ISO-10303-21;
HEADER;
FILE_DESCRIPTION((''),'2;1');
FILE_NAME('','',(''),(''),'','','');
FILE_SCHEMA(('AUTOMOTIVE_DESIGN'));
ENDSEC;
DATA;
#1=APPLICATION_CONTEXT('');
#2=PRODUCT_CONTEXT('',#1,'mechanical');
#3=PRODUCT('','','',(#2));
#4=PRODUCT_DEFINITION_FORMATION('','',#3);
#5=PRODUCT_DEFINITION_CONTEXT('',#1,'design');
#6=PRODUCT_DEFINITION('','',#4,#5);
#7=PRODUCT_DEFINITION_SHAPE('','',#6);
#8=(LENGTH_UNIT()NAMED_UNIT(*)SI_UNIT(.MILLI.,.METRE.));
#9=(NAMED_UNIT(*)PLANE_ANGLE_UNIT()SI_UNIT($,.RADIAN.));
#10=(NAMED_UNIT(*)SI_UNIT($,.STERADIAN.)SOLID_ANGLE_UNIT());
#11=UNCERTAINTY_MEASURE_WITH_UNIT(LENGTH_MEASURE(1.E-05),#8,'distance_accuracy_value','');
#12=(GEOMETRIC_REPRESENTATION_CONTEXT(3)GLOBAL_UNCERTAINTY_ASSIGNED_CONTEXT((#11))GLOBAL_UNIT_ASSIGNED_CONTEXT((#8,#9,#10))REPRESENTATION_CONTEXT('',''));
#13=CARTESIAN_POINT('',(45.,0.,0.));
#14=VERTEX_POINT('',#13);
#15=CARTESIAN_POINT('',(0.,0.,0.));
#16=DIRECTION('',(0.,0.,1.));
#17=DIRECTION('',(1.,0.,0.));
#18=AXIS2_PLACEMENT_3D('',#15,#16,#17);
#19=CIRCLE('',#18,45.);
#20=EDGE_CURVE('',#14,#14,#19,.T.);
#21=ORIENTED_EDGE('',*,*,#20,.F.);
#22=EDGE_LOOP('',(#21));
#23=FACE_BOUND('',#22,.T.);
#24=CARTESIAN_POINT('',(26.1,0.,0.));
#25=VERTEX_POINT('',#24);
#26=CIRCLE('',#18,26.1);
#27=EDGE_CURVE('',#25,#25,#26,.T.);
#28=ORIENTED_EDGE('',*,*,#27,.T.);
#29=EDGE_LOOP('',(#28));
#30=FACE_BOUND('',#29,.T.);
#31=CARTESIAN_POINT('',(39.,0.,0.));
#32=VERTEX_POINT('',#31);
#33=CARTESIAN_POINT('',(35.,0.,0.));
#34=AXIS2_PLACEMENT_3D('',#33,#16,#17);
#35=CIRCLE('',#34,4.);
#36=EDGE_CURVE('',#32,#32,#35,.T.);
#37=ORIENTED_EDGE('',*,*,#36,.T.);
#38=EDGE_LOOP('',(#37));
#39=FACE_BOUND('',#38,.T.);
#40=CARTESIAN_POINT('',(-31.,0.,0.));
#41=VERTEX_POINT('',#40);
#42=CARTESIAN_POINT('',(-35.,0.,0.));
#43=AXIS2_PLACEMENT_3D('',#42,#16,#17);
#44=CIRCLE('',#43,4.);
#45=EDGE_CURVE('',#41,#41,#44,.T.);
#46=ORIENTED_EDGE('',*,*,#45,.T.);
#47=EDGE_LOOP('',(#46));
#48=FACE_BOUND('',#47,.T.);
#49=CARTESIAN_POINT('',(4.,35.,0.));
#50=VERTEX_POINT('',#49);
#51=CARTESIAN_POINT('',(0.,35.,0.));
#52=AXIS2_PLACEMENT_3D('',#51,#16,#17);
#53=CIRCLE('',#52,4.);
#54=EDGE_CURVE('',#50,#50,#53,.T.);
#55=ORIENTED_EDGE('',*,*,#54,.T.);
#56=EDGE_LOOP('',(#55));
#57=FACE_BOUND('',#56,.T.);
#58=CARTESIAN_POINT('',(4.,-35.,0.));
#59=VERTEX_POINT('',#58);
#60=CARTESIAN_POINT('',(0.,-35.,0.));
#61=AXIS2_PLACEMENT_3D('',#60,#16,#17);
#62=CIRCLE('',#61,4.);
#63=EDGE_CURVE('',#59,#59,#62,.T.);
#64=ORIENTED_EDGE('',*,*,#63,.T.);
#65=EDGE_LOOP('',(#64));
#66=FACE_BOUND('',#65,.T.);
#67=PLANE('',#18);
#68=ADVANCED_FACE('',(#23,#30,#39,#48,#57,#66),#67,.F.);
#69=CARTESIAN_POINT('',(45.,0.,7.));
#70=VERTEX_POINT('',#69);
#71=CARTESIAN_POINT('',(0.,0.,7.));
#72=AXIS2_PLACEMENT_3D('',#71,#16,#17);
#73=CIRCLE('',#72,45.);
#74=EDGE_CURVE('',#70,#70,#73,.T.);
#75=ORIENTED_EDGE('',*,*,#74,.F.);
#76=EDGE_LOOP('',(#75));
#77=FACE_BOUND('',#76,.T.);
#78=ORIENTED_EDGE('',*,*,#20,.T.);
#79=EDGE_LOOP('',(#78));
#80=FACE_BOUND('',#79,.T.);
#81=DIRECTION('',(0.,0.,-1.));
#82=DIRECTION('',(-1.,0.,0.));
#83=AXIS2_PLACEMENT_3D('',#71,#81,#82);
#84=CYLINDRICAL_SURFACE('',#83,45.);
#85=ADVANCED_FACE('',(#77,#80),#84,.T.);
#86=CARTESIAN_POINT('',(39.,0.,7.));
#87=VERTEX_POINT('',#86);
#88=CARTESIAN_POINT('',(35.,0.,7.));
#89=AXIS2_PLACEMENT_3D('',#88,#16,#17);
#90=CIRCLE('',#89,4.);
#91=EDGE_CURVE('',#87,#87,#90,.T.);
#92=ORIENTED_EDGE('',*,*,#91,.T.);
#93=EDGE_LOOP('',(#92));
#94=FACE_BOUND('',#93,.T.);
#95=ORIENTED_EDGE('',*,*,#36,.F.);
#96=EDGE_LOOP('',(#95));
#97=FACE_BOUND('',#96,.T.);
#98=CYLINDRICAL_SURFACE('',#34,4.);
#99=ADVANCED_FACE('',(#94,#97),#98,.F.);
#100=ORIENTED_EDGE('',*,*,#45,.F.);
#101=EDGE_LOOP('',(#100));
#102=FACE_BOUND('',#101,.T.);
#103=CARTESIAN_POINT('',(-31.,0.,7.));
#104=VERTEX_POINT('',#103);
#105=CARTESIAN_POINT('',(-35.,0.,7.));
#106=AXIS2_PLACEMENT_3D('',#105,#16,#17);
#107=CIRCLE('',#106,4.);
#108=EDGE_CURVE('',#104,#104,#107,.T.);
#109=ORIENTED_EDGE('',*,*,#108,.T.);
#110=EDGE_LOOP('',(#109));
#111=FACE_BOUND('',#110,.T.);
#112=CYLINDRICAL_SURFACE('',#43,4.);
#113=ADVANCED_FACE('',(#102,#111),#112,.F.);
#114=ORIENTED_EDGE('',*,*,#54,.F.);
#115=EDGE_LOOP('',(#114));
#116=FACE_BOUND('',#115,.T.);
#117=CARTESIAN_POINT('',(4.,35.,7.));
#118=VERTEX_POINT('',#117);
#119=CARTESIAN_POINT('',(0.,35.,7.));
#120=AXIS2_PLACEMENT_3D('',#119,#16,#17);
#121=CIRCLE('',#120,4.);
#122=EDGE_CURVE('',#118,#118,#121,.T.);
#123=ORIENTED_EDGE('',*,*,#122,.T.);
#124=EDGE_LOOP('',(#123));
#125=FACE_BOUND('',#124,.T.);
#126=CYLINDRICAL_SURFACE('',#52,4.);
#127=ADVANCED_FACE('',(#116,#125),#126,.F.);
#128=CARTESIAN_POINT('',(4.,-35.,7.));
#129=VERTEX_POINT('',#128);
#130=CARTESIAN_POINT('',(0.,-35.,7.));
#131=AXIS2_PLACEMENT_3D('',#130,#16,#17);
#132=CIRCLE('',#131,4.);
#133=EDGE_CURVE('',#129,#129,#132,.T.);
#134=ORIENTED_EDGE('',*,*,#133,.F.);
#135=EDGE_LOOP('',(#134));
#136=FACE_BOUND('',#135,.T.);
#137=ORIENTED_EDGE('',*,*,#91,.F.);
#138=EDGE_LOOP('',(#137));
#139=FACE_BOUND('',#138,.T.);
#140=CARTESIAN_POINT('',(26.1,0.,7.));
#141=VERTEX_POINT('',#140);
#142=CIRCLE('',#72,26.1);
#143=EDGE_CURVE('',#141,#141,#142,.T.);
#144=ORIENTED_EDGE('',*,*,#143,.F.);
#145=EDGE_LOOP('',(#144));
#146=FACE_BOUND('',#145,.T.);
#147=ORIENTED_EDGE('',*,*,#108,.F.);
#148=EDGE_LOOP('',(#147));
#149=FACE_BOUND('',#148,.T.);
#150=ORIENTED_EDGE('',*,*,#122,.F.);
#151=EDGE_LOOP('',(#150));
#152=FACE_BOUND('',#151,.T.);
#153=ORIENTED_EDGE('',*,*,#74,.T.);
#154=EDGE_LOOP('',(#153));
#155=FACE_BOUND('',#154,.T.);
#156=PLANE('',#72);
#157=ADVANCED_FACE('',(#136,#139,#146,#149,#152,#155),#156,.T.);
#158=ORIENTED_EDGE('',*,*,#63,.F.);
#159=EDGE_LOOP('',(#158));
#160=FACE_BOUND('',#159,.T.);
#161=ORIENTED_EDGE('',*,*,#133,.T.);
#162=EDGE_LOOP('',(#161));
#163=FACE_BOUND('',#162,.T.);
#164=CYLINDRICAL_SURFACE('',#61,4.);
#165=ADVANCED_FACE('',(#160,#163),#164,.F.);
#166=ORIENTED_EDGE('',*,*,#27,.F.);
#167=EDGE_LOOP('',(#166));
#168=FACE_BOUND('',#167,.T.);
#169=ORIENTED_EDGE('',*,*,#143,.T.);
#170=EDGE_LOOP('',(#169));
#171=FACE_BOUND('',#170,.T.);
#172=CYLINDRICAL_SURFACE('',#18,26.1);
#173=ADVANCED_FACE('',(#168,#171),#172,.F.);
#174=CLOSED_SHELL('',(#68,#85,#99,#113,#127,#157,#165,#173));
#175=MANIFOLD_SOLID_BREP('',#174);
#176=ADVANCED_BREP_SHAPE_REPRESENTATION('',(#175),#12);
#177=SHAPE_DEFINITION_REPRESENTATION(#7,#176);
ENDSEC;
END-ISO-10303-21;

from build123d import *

# Parameters (mm, degrees)
CROQUIS1_R              = 45
SALIENTE_EXTRUIR1_DEPTH = 7
CROQUIS2_R              = 26.1
CORTAR_EXTRUIR1_DEPTH   = 8
CROQUIS3_R              = 4
CORTAR_EXTRUIR2_DEPTH   = 8


with BuildPart() as part:
    # Croquis1 → Saliente-Extruir1 (new body)
    with BuildSketch(Plane.XY):
        Circle(CROQUIS1_R)
    extrude(amount=SALIENTE_EXTRUIR1_DEPTH)

    # Croquis2 → Cortar-Extruir1 (cut, through all)
    with BuildSketch(Plane.XY.offset(7)):
        Circle(CROQUIS2_R)
    extrude(amount=-CORTAR_EXTRUIR1_DEPTH, mode=Mode.SUBTRACT)

    # Croquis3 → Cortar-Extruir2 (cut, through all)
    with BuildSketch(Plane.XY.offset(7)):
        with Locations((0, 35)):
            Circle(CROQUIS3_R)
        with Locations((35, 0)):
            Circle(CROQUIS3_R)
        with Locations((0, -35)):
            Circle(CROQUIS3_R)
        with Locations((-35, 0)):
            Circle(CROQUIS3_R)
    extrude(amount=-CORTAR_EXTRUIR2_DEPTH, mode=Mode.SUBTRACT)


solid = part.part
